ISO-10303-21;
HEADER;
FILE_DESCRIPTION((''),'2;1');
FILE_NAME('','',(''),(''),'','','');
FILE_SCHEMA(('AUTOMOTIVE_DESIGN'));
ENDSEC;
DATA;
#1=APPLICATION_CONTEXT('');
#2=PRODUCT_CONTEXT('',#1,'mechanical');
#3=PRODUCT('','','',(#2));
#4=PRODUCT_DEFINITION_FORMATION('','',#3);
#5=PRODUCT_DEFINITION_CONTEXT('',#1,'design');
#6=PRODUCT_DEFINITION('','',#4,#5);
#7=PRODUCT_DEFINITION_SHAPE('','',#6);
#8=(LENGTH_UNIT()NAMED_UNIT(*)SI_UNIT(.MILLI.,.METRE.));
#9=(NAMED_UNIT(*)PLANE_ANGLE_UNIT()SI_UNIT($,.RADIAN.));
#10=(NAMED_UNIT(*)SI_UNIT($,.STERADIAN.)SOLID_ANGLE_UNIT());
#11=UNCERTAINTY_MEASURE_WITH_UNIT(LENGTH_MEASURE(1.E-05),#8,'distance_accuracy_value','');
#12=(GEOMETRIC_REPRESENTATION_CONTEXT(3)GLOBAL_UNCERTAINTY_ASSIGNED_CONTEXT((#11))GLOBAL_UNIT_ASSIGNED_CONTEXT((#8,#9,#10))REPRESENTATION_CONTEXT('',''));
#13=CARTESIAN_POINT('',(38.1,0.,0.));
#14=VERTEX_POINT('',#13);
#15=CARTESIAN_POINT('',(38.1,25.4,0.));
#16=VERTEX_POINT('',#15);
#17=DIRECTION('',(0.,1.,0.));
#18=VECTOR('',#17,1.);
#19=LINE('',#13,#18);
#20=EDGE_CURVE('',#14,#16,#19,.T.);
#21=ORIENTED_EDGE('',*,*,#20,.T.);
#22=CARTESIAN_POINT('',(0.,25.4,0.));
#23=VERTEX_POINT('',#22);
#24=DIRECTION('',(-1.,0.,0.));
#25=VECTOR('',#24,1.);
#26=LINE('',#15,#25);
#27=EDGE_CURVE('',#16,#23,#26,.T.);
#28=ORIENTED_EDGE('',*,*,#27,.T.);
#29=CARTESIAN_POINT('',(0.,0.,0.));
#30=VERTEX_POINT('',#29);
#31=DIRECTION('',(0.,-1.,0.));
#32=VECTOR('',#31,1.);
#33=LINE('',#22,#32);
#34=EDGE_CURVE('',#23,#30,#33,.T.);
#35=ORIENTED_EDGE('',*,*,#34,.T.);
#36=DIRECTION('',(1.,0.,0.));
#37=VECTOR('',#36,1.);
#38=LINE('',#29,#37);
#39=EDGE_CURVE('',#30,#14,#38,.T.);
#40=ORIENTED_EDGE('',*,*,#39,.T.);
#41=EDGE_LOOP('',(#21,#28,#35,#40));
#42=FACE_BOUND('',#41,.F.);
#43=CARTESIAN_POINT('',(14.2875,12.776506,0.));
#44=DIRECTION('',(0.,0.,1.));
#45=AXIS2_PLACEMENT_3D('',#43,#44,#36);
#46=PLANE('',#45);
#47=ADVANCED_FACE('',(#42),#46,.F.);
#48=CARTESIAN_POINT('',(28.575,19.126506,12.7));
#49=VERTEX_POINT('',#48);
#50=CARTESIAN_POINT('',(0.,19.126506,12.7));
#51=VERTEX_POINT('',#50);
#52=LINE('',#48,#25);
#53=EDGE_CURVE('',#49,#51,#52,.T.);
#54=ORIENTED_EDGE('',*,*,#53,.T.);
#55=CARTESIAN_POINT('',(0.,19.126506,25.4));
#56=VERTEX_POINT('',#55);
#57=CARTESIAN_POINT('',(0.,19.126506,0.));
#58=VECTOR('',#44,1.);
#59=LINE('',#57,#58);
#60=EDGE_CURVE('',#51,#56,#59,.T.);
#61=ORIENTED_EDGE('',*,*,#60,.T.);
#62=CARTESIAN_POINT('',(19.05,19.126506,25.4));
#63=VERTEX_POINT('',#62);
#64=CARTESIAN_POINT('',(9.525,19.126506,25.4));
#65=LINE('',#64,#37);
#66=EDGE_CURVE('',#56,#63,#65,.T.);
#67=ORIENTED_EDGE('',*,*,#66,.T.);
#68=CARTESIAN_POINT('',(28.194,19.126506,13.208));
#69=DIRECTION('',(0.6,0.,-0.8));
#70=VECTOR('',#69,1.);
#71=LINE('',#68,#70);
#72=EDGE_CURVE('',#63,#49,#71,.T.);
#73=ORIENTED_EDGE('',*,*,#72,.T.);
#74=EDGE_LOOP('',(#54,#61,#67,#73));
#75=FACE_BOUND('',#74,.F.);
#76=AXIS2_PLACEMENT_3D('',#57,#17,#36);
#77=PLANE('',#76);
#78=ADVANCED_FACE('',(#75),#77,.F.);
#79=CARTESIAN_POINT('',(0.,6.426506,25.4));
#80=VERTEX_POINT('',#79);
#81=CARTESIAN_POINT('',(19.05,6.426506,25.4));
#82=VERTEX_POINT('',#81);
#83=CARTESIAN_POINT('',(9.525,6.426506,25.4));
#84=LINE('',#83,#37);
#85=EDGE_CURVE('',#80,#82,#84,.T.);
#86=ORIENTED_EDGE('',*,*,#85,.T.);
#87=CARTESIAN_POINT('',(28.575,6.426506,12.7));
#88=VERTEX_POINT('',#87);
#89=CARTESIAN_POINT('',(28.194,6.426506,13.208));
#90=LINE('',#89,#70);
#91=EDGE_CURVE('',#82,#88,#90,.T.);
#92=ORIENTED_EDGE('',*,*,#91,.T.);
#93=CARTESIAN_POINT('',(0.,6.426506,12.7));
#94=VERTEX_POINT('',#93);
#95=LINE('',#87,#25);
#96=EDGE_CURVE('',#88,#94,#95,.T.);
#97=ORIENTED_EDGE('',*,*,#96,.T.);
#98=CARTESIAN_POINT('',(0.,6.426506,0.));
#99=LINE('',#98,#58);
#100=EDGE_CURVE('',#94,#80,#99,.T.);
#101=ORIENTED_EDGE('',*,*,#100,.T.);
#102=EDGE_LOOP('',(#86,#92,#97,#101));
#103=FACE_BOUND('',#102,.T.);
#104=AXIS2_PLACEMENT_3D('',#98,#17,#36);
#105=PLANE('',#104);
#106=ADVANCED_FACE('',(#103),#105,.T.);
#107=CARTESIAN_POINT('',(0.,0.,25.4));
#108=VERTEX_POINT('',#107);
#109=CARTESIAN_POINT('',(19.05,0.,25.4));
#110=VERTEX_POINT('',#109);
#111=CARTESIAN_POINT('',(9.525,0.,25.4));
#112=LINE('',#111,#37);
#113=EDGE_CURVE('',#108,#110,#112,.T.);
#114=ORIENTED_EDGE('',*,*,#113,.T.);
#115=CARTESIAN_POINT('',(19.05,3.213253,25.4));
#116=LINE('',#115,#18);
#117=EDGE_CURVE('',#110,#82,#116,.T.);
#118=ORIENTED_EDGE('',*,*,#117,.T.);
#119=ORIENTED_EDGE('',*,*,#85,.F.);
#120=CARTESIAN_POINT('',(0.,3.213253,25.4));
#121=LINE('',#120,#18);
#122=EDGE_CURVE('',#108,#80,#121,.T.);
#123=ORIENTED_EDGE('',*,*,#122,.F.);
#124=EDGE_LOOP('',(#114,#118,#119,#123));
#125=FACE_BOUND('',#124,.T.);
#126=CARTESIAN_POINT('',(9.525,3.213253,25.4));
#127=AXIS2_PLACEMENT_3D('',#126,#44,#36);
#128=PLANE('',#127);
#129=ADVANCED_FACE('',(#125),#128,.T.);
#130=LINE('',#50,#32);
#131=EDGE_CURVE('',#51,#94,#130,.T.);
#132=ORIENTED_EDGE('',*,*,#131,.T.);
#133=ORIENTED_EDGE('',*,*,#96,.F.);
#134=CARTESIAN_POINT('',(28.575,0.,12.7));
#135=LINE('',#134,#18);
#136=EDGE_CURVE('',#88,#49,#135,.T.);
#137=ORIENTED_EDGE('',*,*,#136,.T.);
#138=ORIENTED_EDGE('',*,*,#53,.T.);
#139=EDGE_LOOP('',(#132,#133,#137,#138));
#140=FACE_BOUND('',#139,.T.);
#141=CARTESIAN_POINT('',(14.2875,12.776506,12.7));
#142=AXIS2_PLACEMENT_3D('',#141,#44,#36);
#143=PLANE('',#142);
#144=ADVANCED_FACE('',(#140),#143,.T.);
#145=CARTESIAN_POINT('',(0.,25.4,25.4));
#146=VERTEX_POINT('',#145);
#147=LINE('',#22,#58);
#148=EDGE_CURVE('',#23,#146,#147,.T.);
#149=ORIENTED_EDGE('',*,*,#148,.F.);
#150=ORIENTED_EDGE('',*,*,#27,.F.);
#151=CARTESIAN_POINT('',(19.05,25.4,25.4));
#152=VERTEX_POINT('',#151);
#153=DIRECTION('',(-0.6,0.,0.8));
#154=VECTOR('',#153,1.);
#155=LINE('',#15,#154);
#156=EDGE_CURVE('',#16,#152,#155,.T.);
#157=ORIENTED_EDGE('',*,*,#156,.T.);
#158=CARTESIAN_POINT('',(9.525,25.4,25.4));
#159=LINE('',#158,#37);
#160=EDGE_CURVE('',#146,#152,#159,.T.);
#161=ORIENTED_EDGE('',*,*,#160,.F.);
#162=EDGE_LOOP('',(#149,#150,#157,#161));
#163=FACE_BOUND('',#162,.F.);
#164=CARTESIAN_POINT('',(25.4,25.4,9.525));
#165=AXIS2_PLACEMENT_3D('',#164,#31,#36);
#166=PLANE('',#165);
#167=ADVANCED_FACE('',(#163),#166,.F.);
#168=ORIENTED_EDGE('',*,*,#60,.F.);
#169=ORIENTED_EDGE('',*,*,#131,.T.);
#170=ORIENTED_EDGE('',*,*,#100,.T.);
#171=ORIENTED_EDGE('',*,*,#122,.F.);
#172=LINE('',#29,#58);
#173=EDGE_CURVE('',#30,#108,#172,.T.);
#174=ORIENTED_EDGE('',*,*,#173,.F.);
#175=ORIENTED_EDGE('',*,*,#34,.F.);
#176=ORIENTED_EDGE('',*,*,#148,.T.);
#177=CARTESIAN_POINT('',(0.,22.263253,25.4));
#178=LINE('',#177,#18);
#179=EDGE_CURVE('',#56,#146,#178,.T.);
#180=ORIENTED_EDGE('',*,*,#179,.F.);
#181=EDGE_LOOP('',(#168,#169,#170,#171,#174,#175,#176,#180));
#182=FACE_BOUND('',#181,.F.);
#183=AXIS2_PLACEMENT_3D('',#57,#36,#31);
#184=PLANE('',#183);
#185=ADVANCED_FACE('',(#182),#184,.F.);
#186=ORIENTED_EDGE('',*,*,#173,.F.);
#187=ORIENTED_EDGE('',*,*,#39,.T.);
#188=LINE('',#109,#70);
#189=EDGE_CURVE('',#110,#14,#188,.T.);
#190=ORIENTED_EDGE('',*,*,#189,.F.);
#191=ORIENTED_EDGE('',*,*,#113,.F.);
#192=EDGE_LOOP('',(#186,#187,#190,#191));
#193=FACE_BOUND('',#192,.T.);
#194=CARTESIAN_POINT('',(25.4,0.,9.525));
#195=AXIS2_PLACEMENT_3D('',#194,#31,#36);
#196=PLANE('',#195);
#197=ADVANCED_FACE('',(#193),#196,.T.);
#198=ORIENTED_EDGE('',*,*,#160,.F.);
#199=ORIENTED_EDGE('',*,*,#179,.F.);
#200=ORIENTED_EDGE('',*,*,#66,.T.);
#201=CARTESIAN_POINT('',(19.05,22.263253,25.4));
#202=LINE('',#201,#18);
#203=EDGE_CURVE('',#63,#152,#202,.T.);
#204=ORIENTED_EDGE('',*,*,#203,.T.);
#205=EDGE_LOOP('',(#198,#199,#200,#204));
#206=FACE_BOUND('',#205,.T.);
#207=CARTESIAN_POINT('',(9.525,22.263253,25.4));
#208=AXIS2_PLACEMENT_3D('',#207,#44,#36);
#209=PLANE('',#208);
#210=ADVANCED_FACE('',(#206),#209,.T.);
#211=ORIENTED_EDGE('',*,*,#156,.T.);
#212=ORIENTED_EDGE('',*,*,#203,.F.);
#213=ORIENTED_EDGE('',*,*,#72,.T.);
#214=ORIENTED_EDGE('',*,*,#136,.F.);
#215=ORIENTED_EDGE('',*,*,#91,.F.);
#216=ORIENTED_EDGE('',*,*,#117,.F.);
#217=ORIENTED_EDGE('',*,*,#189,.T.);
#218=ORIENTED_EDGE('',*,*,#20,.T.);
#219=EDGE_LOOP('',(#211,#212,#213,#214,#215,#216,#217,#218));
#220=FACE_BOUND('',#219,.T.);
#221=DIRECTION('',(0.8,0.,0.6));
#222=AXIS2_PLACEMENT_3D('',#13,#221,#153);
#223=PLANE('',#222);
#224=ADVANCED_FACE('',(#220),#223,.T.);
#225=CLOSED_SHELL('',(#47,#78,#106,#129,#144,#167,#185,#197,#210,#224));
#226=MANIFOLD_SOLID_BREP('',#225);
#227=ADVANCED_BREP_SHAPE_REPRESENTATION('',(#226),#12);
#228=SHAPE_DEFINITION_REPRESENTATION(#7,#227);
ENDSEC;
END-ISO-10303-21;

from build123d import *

# Parameters (mm, degrees)
F0_W     = 19.05
F0_H     = 6.273494
F1_DEPTH = 25.4
F0_H_2   = 6.426506
F2_DEPTH = 25.4
F3_DEPTH = 12.7
F5_DEPTH = 25.4
F6_W     = 12.7
F6_H     = 12.7
F7_DEPTH = 38.101
F9_DEPTH = 25.401


with BuildPart() as f1:
    # F0 (on Top) → F1 (new body)
    with BuildSketch(Plane.XY):
        with Locations((9.525, 22.263253)):
            Rectangle(F0_W, F0_H)
    extrude(amount=F1_DEPTH)



with BuildPart() as f2:
    # F0 (on Top) → F2 (new body)
    with BuildSketch(Plane.XY):
        with Locations((9.525, 3.213253)):
            Rectangle(F0_W, F0_H_2)
    extrude(amount=F2_DEPTH)


with BuildPart() as f3:
    # F0 (on Top) → F3 (new body)
    with BuildSketch(Plane.XY):
        Polygon((0, 19.126506), (0, 6.426506), (19.05, 6.426506), (28.575, 6.426506), (28.575, 19.126506), (19.05, 19.126506), align=None)
        Polygon((19.05, 6.426506), (19.05, 0), (38.1, 0), (38.1, 25.4), (19.05, 25.4), (19.05, 19.126506), (28.575, 19.126506), (28.575, 6.426506), align=None)
    extrude(amount=F3_DEPTH)


with BuildPart() as f1_1:
    add(f1.part)

    add(f2.part)  # F5 merges F2

    add(f3.part)  # F5 merges F3
    # F4 (on Front) → F5 (join)
    with BuildSketch(Plane.XZ):
        Polygon((19.05, 25.4), (19.05, 0), (38.1, 0), align=None)
    extrude(amount=-F5_DEPTH)

    # F6 (on Right) → F7 (cut, through all)
    with BuildSketch(Plane.YZ):
        with Locations((12.776506, 19.05)):
            Rectangle(F6_W, F6_H)
    extrude(amount=F7_DEPTH, mode=Mode.SUBTRACT)

    # F8 (on Front) → F9 (cut, through all)
    with BuildSketch(Plane.XZ):
        Polygon((38.1, 0), (38.1, 12.7), (28.575, 12.7), align=None)
    extrude(amount=-F9_DEPTH, mode=Mode.SUBTRACT)


solid = f1_1.part
